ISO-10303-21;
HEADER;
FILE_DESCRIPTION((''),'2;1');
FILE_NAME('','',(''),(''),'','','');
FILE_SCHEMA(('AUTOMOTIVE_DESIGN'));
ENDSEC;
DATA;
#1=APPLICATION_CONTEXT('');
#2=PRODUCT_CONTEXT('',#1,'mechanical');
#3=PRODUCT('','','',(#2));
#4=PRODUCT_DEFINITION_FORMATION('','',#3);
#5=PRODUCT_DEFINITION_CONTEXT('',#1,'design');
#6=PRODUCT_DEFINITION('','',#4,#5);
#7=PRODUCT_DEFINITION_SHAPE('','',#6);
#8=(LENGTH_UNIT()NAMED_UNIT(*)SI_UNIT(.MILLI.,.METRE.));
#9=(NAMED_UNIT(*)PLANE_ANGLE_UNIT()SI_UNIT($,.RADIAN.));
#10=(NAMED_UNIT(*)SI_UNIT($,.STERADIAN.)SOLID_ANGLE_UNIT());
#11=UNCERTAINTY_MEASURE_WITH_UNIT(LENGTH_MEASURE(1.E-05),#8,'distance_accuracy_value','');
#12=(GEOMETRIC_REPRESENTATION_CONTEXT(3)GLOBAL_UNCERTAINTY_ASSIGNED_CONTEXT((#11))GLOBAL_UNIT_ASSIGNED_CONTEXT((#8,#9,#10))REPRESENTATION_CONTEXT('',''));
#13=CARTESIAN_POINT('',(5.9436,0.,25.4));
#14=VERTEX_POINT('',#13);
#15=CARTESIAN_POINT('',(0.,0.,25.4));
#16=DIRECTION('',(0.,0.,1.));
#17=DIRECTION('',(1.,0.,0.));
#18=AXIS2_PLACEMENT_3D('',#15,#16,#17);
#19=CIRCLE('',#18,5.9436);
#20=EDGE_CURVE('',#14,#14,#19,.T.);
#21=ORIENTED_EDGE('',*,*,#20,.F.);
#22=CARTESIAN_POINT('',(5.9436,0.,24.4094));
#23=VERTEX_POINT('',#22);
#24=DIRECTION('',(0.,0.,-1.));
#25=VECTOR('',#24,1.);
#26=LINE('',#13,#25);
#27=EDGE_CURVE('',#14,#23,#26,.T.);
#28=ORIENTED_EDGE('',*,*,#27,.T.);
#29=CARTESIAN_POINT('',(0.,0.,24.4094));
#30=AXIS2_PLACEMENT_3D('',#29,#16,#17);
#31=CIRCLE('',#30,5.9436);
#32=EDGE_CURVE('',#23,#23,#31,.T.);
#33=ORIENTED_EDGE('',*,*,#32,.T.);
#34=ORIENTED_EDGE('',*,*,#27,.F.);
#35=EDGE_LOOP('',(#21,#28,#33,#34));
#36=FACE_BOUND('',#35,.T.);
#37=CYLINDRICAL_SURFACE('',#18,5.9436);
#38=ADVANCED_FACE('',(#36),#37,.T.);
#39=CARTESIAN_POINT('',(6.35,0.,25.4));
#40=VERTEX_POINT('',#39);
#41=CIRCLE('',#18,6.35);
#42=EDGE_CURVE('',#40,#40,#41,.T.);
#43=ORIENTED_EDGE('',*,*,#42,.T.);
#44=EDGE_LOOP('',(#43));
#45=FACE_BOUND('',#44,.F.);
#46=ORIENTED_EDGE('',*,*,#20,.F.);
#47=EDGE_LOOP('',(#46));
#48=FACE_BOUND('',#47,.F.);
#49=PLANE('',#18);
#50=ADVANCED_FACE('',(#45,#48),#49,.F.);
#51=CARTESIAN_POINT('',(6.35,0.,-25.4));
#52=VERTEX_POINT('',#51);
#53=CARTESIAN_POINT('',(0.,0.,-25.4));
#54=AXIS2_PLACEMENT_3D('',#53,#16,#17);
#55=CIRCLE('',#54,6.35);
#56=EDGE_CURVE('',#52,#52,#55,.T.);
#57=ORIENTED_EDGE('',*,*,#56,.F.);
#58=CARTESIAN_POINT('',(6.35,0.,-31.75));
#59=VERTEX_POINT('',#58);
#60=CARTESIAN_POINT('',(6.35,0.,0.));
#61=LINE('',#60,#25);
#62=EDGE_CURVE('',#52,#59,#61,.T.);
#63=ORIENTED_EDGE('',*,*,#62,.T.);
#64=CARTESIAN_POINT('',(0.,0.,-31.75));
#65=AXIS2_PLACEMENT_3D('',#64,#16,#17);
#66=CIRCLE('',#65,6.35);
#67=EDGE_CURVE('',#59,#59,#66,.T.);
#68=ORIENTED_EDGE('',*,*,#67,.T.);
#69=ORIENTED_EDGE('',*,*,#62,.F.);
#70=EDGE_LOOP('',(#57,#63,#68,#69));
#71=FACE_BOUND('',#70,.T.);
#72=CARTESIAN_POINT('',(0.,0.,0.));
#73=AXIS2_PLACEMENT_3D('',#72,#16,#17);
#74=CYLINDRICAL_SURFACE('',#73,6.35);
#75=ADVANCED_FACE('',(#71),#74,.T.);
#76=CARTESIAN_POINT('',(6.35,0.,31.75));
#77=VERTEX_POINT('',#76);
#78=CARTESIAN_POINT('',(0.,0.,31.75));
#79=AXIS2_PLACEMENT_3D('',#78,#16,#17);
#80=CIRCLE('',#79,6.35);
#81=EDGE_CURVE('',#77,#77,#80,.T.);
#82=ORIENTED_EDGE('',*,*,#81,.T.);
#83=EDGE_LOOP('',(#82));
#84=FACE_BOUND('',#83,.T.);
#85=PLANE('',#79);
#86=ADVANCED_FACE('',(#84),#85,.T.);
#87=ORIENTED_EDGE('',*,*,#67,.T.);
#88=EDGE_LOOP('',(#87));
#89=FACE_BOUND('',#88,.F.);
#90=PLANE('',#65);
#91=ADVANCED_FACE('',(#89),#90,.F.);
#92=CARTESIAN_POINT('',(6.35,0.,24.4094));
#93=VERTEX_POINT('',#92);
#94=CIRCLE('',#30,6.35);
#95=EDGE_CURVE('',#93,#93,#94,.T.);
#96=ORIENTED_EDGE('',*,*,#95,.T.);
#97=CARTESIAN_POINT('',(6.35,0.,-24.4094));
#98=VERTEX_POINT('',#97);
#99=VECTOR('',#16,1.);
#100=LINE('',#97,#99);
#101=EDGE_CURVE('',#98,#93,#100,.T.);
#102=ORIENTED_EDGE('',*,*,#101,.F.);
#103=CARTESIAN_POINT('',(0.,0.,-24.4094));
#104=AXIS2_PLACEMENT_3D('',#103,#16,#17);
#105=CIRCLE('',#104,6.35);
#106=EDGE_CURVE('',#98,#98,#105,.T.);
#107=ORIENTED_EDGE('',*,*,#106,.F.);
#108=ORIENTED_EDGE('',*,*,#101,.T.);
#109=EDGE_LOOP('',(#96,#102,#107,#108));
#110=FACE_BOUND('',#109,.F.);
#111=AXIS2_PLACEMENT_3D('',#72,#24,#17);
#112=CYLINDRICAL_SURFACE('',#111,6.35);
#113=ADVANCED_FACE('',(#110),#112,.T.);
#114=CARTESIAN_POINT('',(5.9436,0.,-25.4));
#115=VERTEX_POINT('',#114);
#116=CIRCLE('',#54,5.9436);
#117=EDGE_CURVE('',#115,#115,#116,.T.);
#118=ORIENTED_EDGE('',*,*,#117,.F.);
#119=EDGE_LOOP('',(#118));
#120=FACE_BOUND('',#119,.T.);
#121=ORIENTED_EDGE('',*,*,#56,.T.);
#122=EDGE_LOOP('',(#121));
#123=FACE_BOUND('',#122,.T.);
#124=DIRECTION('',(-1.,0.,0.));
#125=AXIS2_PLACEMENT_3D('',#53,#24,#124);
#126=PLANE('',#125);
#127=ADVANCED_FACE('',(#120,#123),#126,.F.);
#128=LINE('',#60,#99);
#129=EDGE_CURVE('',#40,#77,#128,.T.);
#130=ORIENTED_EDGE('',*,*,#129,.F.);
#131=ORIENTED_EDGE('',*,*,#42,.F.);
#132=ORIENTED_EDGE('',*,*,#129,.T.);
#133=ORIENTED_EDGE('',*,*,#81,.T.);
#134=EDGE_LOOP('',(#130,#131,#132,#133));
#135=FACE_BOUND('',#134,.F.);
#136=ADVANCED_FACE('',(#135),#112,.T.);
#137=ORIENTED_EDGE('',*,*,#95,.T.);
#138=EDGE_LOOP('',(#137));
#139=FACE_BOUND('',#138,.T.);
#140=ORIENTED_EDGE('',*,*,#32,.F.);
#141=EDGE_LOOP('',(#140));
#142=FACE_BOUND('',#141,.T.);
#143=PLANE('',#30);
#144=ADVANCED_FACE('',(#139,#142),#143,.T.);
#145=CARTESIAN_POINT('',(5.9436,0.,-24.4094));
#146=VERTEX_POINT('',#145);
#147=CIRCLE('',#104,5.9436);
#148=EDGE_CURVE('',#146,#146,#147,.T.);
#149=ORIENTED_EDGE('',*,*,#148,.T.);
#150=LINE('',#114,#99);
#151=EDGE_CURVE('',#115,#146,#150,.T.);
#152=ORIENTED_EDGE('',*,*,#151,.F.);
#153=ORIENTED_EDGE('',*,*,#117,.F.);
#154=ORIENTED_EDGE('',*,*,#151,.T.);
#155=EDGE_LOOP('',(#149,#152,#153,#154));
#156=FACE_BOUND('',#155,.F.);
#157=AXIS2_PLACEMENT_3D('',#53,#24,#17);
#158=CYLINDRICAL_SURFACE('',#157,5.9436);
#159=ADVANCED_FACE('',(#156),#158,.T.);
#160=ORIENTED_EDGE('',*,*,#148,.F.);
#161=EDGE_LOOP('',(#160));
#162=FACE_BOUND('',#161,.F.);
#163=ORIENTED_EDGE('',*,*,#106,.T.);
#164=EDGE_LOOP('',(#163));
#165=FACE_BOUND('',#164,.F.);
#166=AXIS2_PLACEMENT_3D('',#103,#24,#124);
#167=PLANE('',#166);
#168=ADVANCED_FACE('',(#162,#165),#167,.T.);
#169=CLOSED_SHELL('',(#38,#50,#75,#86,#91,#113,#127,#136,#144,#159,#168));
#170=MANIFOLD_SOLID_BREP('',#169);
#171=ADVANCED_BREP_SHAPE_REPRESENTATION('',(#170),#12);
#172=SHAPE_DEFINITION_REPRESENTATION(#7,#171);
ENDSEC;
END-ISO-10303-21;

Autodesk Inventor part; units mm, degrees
ref_plane "YZ Plane" through (0, 0, 0) normal (1, 0, 0) x (0, 1, 0)
ref_plane "XZ Plane" through (0, 0, 0) normal (0, 1, 0) x (-1, 0, 0)
sketch "Sketch1" plane through (0, 0, 0) normal (0, 0, 1) x (1, 0, 0)
  circle A0 centre (0, 0) radius 6.35
  dimension "d0" = 12.7
extrude "Extrusion1" add sketch "Sketch1" along normal mid plane 63.5
ref_plane "Work Plane1" through (0, 0, 25.4) normal (0, 0, 1) x (1, 0, 0)
sketch "Sketch2" plane through (0, 0, 25.4) normal (0, 0, 1) x (1, 0, 0)
  circle A0 centre (0, 0) radius 6.35 projected
  circle A1 centre (0, 0) radius 6.35
  circle A2 centre (0, 0) radius 5.9436
  dimension "d4" = 12.7
  dimension "d5" = 11.8872
extrude "Extrusion2" cut sketch "Sketch2" against normal blind 0.9906
mirror "Mirror1" about plane through (0, 0, 0) normal (0, 0, 1) of "Extrusion2"
ref_plane "Work Plane2" through (0, 0, -25.4) normal (0, 0, 1) x (1, 0, 0)
properties part number "Linear Actuator Top Scoop Pin .5in. Dia." material "Aluminum 6061"
